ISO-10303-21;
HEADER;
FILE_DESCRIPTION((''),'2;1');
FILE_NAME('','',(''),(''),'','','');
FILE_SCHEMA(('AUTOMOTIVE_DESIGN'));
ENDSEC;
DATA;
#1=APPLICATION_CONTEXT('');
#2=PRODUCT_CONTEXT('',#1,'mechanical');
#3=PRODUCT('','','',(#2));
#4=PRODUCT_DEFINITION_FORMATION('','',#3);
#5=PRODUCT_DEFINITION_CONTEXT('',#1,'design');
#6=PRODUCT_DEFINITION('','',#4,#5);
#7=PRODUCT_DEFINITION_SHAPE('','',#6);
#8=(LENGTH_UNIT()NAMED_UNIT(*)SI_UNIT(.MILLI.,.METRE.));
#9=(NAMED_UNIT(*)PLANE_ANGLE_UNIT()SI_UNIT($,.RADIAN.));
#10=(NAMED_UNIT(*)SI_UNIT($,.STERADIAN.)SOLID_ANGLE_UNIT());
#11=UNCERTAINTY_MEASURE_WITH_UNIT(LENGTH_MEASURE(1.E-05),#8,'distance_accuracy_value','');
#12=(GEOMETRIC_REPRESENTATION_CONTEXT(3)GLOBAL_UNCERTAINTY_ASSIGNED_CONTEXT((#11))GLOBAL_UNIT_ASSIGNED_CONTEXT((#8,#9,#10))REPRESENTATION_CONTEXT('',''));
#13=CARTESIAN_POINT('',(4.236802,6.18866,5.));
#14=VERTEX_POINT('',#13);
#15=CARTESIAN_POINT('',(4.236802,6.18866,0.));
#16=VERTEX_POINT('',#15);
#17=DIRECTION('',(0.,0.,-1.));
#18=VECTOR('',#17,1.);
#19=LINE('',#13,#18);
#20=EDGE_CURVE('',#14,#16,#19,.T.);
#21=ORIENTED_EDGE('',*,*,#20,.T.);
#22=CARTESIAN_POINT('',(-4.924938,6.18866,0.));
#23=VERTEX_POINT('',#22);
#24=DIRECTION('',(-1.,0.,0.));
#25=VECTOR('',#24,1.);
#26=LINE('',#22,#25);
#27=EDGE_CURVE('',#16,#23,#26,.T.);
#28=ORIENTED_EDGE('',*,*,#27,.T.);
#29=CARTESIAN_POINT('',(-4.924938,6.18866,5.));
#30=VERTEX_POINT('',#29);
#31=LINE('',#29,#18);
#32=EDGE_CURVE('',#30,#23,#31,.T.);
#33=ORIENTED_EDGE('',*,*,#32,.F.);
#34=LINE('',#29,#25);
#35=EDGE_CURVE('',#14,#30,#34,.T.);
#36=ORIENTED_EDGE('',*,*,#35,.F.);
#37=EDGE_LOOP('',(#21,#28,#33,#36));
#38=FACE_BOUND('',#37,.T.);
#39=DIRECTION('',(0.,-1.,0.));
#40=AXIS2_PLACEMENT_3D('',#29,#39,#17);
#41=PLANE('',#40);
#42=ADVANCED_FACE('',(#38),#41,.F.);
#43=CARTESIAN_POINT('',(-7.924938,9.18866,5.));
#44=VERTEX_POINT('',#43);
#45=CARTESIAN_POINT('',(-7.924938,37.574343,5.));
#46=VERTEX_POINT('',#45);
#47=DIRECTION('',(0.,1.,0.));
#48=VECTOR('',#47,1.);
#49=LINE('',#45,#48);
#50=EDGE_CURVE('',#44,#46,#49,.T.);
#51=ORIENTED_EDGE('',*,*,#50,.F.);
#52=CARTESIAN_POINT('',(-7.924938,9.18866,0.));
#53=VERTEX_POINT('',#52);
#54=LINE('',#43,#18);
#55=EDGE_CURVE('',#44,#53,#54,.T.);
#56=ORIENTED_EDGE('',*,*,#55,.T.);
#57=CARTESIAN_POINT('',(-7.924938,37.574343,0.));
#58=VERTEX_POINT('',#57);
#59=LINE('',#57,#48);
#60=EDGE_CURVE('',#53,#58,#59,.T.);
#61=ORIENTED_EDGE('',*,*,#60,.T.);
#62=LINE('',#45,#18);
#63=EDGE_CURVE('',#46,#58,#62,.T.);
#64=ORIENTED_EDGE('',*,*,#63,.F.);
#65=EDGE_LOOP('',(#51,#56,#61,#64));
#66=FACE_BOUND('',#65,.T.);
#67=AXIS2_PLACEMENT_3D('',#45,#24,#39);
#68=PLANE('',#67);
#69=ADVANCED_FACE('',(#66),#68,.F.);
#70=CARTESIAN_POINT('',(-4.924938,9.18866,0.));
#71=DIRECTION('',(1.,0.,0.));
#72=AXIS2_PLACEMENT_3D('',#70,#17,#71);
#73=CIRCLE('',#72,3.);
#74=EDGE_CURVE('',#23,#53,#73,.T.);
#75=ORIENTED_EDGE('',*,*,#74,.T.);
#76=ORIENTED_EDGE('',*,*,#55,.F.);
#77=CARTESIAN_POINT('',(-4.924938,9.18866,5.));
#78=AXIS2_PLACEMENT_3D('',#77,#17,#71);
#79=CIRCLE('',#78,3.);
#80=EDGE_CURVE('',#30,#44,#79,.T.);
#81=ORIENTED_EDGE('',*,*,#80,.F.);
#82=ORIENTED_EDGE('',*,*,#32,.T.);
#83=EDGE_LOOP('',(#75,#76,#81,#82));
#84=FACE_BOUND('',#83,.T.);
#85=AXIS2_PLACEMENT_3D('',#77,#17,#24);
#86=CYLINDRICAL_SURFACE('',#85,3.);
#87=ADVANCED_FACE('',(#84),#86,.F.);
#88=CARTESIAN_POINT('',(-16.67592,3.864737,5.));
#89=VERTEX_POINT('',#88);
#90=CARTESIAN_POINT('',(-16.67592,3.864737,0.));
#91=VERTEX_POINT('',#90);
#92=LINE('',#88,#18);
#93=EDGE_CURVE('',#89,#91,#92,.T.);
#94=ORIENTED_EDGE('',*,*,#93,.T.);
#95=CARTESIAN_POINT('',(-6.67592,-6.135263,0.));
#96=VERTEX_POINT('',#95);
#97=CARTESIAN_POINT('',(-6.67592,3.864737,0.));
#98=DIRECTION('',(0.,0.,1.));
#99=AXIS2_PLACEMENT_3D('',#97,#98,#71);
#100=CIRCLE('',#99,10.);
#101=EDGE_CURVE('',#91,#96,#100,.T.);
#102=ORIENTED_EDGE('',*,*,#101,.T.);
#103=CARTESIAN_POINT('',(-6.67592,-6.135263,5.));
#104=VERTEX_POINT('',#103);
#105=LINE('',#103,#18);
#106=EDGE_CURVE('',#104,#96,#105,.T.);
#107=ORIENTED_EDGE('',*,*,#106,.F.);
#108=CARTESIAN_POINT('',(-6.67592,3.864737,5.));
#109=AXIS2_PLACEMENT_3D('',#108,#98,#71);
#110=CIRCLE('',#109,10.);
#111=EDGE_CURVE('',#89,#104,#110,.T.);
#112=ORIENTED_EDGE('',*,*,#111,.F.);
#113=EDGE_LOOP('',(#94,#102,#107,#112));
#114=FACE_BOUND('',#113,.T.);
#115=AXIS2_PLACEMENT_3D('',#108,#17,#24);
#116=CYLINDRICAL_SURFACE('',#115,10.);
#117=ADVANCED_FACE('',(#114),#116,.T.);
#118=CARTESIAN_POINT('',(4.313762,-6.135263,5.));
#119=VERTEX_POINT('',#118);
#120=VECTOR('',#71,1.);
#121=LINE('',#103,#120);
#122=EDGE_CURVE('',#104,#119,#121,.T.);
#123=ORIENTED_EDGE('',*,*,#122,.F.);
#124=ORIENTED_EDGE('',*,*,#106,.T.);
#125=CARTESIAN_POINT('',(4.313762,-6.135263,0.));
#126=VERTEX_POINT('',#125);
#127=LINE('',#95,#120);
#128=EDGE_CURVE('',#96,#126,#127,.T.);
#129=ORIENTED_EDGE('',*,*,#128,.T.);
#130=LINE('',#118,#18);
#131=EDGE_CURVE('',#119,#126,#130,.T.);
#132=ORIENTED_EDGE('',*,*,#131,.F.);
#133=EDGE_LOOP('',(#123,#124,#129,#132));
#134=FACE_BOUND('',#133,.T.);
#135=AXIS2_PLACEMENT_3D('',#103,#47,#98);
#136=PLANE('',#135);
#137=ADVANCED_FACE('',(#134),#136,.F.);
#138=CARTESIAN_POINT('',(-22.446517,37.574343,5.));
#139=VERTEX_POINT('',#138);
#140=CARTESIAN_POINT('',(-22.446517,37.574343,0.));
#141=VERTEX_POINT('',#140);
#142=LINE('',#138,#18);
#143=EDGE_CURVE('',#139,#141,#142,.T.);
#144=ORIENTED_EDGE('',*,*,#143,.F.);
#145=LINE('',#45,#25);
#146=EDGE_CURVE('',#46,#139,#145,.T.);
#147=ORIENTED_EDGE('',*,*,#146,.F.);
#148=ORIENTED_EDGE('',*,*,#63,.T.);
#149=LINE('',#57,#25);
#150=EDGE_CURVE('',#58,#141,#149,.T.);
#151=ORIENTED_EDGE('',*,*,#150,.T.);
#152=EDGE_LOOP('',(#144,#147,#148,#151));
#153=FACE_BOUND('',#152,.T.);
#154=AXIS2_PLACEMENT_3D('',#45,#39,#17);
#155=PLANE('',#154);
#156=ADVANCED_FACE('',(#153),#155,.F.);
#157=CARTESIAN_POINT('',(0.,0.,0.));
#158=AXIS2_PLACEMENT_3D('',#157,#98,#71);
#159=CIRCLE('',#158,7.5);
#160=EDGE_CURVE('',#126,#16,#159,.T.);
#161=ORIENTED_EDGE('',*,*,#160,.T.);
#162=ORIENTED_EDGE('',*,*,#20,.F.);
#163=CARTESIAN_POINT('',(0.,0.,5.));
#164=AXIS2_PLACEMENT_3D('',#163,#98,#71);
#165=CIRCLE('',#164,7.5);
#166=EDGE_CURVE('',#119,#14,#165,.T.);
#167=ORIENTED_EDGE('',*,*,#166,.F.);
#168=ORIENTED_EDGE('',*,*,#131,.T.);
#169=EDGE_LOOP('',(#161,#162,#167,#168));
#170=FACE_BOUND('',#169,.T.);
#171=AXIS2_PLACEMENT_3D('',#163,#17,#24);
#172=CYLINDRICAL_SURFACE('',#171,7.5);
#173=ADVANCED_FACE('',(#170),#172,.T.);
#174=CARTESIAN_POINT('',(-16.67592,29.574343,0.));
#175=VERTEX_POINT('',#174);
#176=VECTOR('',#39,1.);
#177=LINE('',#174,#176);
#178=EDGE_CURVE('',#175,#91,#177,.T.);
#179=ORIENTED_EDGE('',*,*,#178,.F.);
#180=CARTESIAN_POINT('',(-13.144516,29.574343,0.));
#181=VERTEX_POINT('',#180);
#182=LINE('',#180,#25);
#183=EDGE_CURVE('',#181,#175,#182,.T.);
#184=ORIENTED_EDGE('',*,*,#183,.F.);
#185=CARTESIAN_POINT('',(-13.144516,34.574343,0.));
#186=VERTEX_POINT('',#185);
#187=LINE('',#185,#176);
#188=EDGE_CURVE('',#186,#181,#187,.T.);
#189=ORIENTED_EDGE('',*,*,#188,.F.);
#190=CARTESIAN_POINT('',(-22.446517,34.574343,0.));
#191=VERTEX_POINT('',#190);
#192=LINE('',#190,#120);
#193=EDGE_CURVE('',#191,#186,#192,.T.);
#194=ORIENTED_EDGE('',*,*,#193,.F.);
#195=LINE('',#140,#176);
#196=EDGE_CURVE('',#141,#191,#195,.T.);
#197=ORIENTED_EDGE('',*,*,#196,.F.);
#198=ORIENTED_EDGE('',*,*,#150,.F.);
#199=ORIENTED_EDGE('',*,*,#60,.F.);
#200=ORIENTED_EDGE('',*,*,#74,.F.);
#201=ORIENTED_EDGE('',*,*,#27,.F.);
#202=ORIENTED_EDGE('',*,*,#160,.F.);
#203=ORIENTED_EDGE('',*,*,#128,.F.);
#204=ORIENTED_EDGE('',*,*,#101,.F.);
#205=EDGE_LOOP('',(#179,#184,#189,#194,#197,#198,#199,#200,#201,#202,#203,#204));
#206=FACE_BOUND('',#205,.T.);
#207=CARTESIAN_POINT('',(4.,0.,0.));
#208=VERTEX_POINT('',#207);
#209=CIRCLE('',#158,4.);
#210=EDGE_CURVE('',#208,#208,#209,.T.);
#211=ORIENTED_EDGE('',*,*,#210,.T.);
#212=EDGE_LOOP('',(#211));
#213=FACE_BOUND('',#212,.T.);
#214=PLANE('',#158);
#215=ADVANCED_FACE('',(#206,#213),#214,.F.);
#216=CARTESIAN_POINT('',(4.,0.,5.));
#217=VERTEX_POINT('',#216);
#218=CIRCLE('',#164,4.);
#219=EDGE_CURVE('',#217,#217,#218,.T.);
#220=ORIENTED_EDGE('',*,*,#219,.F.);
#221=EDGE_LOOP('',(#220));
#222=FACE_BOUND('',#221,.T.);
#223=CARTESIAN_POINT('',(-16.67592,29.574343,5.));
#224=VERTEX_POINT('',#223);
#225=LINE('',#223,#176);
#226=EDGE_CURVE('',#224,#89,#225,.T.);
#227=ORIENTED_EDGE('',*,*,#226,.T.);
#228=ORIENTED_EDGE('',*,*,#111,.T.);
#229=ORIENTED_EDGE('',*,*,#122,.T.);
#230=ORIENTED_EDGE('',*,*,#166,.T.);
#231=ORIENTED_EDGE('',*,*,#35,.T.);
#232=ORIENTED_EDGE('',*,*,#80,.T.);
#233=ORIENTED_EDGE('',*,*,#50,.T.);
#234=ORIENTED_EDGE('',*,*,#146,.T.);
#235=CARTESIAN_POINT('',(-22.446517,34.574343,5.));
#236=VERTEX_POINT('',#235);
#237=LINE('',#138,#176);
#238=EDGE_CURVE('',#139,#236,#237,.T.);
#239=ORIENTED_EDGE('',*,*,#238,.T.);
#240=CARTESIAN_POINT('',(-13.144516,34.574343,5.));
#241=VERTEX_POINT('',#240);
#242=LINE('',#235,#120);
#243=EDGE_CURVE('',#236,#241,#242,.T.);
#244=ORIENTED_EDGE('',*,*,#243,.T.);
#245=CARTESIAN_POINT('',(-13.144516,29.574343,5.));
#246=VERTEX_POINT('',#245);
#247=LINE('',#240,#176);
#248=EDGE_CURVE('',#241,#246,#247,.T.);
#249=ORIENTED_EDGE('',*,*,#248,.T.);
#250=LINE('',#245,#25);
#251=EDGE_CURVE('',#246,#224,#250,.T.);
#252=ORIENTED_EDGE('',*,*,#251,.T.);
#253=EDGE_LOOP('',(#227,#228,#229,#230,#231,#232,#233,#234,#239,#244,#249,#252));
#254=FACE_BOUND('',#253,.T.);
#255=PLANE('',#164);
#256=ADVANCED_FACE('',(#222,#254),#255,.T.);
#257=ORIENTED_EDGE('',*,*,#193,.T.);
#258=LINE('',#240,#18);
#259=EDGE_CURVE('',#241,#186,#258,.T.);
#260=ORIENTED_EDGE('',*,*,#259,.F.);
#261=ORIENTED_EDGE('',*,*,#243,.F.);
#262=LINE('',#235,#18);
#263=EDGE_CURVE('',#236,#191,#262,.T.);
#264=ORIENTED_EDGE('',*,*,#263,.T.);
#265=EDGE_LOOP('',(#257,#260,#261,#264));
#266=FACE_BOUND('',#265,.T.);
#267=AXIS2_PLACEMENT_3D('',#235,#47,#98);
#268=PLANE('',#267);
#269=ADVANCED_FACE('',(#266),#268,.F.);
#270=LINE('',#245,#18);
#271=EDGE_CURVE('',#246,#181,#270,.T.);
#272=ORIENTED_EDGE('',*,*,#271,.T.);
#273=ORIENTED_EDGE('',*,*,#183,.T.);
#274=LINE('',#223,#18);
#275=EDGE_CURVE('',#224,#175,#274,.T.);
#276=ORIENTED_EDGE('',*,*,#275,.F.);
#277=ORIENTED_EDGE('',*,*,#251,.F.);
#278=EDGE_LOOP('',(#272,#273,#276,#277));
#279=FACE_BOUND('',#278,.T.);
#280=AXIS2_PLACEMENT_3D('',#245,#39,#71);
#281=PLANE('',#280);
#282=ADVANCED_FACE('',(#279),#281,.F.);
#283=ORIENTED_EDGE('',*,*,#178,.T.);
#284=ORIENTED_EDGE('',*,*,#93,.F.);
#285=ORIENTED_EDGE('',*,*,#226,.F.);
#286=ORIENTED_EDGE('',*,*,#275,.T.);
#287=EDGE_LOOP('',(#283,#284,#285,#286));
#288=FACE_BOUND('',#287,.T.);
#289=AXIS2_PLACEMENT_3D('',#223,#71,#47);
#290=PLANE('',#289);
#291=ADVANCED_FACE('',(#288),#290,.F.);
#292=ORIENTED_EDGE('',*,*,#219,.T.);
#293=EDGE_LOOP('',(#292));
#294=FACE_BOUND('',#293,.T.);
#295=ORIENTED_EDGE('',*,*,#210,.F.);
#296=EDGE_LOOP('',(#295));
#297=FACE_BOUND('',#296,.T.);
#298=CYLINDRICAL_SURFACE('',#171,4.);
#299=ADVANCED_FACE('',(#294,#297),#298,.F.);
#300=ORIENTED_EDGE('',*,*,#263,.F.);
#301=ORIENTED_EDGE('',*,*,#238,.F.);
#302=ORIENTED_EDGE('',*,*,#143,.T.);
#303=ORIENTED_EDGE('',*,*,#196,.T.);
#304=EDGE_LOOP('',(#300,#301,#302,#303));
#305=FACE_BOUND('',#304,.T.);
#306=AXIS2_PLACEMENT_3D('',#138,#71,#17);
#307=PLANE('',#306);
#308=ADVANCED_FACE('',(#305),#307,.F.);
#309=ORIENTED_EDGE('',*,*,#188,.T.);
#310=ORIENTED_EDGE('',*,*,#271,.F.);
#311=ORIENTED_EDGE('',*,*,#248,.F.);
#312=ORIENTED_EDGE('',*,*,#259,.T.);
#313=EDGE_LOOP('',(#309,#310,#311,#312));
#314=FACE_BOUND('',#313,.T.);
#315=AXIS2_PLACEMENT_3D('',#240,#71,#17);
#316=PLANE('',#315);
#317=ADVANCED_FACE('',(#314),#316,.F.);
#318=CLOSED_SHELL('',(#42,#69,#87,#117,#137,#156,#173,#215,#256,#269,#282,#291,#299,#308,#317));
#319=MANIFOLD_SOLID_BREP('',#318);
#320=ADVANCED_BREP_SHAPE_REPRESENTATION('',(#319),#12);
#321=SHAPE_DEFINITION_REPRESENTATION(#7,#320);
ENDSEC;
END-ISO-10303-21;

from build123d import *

# Parameters (mm, degrees)
SKETCH_1_R      = 4
EXTRUDE_1_DEPTH = 5


with BuildPart() as part:
    # 草图1 → 凸台-拉伸1 (new body)
    with BuildSketch(Plane.XY):
        with BuildLine():
            Line((-7.924938012, 37.574342627), (-22.446516876, 37.574342627))
            Line((-22.446516876, 37.574342627), (-22.446516876, 34.574342627))
            Line((-22.446516876, 34.574342627), (-13.144515754, 34.574342627))
            Line((-13.144515754, 34.574342627), (-13.144515754, 29.574342627))
            Line((-13.144515754, 29.574342627), (-16.675920201, 29.574342627))
            Line((-16.675920201, 29.574342627), (-16.675920201, 3.864736877))
            ThreePointArc((-16.675920201, 3.864736877), (-13.746988013, -3.206330935), (-6.675920201, -6.135263123))
            Line((-6.675920201, -6.135263123), (4.313762442, -6.135263123))
            ThreePointArc((4.313762442, -6.135263123), (7.499853762, 0.046835335), (4.2368016, 6.188659968))
            Line((4.2368016, 6.188659968), (-4.924938012, 6.188659968))
            ThreePointArc((-4.924938012, 6.188659968), (-7.046258356, 7.067339624), (-7.924938012, 9.188659968))
            Line((-7.924938012, 9.188659968), (-7.924938012, 37.574342627))
        make_face()
        Circle(SKETCH_1_R, mode=Mode.SUBTRACT)
    extrude(amount=EXTRUDE_1_DEPTH)


solid = part.part
